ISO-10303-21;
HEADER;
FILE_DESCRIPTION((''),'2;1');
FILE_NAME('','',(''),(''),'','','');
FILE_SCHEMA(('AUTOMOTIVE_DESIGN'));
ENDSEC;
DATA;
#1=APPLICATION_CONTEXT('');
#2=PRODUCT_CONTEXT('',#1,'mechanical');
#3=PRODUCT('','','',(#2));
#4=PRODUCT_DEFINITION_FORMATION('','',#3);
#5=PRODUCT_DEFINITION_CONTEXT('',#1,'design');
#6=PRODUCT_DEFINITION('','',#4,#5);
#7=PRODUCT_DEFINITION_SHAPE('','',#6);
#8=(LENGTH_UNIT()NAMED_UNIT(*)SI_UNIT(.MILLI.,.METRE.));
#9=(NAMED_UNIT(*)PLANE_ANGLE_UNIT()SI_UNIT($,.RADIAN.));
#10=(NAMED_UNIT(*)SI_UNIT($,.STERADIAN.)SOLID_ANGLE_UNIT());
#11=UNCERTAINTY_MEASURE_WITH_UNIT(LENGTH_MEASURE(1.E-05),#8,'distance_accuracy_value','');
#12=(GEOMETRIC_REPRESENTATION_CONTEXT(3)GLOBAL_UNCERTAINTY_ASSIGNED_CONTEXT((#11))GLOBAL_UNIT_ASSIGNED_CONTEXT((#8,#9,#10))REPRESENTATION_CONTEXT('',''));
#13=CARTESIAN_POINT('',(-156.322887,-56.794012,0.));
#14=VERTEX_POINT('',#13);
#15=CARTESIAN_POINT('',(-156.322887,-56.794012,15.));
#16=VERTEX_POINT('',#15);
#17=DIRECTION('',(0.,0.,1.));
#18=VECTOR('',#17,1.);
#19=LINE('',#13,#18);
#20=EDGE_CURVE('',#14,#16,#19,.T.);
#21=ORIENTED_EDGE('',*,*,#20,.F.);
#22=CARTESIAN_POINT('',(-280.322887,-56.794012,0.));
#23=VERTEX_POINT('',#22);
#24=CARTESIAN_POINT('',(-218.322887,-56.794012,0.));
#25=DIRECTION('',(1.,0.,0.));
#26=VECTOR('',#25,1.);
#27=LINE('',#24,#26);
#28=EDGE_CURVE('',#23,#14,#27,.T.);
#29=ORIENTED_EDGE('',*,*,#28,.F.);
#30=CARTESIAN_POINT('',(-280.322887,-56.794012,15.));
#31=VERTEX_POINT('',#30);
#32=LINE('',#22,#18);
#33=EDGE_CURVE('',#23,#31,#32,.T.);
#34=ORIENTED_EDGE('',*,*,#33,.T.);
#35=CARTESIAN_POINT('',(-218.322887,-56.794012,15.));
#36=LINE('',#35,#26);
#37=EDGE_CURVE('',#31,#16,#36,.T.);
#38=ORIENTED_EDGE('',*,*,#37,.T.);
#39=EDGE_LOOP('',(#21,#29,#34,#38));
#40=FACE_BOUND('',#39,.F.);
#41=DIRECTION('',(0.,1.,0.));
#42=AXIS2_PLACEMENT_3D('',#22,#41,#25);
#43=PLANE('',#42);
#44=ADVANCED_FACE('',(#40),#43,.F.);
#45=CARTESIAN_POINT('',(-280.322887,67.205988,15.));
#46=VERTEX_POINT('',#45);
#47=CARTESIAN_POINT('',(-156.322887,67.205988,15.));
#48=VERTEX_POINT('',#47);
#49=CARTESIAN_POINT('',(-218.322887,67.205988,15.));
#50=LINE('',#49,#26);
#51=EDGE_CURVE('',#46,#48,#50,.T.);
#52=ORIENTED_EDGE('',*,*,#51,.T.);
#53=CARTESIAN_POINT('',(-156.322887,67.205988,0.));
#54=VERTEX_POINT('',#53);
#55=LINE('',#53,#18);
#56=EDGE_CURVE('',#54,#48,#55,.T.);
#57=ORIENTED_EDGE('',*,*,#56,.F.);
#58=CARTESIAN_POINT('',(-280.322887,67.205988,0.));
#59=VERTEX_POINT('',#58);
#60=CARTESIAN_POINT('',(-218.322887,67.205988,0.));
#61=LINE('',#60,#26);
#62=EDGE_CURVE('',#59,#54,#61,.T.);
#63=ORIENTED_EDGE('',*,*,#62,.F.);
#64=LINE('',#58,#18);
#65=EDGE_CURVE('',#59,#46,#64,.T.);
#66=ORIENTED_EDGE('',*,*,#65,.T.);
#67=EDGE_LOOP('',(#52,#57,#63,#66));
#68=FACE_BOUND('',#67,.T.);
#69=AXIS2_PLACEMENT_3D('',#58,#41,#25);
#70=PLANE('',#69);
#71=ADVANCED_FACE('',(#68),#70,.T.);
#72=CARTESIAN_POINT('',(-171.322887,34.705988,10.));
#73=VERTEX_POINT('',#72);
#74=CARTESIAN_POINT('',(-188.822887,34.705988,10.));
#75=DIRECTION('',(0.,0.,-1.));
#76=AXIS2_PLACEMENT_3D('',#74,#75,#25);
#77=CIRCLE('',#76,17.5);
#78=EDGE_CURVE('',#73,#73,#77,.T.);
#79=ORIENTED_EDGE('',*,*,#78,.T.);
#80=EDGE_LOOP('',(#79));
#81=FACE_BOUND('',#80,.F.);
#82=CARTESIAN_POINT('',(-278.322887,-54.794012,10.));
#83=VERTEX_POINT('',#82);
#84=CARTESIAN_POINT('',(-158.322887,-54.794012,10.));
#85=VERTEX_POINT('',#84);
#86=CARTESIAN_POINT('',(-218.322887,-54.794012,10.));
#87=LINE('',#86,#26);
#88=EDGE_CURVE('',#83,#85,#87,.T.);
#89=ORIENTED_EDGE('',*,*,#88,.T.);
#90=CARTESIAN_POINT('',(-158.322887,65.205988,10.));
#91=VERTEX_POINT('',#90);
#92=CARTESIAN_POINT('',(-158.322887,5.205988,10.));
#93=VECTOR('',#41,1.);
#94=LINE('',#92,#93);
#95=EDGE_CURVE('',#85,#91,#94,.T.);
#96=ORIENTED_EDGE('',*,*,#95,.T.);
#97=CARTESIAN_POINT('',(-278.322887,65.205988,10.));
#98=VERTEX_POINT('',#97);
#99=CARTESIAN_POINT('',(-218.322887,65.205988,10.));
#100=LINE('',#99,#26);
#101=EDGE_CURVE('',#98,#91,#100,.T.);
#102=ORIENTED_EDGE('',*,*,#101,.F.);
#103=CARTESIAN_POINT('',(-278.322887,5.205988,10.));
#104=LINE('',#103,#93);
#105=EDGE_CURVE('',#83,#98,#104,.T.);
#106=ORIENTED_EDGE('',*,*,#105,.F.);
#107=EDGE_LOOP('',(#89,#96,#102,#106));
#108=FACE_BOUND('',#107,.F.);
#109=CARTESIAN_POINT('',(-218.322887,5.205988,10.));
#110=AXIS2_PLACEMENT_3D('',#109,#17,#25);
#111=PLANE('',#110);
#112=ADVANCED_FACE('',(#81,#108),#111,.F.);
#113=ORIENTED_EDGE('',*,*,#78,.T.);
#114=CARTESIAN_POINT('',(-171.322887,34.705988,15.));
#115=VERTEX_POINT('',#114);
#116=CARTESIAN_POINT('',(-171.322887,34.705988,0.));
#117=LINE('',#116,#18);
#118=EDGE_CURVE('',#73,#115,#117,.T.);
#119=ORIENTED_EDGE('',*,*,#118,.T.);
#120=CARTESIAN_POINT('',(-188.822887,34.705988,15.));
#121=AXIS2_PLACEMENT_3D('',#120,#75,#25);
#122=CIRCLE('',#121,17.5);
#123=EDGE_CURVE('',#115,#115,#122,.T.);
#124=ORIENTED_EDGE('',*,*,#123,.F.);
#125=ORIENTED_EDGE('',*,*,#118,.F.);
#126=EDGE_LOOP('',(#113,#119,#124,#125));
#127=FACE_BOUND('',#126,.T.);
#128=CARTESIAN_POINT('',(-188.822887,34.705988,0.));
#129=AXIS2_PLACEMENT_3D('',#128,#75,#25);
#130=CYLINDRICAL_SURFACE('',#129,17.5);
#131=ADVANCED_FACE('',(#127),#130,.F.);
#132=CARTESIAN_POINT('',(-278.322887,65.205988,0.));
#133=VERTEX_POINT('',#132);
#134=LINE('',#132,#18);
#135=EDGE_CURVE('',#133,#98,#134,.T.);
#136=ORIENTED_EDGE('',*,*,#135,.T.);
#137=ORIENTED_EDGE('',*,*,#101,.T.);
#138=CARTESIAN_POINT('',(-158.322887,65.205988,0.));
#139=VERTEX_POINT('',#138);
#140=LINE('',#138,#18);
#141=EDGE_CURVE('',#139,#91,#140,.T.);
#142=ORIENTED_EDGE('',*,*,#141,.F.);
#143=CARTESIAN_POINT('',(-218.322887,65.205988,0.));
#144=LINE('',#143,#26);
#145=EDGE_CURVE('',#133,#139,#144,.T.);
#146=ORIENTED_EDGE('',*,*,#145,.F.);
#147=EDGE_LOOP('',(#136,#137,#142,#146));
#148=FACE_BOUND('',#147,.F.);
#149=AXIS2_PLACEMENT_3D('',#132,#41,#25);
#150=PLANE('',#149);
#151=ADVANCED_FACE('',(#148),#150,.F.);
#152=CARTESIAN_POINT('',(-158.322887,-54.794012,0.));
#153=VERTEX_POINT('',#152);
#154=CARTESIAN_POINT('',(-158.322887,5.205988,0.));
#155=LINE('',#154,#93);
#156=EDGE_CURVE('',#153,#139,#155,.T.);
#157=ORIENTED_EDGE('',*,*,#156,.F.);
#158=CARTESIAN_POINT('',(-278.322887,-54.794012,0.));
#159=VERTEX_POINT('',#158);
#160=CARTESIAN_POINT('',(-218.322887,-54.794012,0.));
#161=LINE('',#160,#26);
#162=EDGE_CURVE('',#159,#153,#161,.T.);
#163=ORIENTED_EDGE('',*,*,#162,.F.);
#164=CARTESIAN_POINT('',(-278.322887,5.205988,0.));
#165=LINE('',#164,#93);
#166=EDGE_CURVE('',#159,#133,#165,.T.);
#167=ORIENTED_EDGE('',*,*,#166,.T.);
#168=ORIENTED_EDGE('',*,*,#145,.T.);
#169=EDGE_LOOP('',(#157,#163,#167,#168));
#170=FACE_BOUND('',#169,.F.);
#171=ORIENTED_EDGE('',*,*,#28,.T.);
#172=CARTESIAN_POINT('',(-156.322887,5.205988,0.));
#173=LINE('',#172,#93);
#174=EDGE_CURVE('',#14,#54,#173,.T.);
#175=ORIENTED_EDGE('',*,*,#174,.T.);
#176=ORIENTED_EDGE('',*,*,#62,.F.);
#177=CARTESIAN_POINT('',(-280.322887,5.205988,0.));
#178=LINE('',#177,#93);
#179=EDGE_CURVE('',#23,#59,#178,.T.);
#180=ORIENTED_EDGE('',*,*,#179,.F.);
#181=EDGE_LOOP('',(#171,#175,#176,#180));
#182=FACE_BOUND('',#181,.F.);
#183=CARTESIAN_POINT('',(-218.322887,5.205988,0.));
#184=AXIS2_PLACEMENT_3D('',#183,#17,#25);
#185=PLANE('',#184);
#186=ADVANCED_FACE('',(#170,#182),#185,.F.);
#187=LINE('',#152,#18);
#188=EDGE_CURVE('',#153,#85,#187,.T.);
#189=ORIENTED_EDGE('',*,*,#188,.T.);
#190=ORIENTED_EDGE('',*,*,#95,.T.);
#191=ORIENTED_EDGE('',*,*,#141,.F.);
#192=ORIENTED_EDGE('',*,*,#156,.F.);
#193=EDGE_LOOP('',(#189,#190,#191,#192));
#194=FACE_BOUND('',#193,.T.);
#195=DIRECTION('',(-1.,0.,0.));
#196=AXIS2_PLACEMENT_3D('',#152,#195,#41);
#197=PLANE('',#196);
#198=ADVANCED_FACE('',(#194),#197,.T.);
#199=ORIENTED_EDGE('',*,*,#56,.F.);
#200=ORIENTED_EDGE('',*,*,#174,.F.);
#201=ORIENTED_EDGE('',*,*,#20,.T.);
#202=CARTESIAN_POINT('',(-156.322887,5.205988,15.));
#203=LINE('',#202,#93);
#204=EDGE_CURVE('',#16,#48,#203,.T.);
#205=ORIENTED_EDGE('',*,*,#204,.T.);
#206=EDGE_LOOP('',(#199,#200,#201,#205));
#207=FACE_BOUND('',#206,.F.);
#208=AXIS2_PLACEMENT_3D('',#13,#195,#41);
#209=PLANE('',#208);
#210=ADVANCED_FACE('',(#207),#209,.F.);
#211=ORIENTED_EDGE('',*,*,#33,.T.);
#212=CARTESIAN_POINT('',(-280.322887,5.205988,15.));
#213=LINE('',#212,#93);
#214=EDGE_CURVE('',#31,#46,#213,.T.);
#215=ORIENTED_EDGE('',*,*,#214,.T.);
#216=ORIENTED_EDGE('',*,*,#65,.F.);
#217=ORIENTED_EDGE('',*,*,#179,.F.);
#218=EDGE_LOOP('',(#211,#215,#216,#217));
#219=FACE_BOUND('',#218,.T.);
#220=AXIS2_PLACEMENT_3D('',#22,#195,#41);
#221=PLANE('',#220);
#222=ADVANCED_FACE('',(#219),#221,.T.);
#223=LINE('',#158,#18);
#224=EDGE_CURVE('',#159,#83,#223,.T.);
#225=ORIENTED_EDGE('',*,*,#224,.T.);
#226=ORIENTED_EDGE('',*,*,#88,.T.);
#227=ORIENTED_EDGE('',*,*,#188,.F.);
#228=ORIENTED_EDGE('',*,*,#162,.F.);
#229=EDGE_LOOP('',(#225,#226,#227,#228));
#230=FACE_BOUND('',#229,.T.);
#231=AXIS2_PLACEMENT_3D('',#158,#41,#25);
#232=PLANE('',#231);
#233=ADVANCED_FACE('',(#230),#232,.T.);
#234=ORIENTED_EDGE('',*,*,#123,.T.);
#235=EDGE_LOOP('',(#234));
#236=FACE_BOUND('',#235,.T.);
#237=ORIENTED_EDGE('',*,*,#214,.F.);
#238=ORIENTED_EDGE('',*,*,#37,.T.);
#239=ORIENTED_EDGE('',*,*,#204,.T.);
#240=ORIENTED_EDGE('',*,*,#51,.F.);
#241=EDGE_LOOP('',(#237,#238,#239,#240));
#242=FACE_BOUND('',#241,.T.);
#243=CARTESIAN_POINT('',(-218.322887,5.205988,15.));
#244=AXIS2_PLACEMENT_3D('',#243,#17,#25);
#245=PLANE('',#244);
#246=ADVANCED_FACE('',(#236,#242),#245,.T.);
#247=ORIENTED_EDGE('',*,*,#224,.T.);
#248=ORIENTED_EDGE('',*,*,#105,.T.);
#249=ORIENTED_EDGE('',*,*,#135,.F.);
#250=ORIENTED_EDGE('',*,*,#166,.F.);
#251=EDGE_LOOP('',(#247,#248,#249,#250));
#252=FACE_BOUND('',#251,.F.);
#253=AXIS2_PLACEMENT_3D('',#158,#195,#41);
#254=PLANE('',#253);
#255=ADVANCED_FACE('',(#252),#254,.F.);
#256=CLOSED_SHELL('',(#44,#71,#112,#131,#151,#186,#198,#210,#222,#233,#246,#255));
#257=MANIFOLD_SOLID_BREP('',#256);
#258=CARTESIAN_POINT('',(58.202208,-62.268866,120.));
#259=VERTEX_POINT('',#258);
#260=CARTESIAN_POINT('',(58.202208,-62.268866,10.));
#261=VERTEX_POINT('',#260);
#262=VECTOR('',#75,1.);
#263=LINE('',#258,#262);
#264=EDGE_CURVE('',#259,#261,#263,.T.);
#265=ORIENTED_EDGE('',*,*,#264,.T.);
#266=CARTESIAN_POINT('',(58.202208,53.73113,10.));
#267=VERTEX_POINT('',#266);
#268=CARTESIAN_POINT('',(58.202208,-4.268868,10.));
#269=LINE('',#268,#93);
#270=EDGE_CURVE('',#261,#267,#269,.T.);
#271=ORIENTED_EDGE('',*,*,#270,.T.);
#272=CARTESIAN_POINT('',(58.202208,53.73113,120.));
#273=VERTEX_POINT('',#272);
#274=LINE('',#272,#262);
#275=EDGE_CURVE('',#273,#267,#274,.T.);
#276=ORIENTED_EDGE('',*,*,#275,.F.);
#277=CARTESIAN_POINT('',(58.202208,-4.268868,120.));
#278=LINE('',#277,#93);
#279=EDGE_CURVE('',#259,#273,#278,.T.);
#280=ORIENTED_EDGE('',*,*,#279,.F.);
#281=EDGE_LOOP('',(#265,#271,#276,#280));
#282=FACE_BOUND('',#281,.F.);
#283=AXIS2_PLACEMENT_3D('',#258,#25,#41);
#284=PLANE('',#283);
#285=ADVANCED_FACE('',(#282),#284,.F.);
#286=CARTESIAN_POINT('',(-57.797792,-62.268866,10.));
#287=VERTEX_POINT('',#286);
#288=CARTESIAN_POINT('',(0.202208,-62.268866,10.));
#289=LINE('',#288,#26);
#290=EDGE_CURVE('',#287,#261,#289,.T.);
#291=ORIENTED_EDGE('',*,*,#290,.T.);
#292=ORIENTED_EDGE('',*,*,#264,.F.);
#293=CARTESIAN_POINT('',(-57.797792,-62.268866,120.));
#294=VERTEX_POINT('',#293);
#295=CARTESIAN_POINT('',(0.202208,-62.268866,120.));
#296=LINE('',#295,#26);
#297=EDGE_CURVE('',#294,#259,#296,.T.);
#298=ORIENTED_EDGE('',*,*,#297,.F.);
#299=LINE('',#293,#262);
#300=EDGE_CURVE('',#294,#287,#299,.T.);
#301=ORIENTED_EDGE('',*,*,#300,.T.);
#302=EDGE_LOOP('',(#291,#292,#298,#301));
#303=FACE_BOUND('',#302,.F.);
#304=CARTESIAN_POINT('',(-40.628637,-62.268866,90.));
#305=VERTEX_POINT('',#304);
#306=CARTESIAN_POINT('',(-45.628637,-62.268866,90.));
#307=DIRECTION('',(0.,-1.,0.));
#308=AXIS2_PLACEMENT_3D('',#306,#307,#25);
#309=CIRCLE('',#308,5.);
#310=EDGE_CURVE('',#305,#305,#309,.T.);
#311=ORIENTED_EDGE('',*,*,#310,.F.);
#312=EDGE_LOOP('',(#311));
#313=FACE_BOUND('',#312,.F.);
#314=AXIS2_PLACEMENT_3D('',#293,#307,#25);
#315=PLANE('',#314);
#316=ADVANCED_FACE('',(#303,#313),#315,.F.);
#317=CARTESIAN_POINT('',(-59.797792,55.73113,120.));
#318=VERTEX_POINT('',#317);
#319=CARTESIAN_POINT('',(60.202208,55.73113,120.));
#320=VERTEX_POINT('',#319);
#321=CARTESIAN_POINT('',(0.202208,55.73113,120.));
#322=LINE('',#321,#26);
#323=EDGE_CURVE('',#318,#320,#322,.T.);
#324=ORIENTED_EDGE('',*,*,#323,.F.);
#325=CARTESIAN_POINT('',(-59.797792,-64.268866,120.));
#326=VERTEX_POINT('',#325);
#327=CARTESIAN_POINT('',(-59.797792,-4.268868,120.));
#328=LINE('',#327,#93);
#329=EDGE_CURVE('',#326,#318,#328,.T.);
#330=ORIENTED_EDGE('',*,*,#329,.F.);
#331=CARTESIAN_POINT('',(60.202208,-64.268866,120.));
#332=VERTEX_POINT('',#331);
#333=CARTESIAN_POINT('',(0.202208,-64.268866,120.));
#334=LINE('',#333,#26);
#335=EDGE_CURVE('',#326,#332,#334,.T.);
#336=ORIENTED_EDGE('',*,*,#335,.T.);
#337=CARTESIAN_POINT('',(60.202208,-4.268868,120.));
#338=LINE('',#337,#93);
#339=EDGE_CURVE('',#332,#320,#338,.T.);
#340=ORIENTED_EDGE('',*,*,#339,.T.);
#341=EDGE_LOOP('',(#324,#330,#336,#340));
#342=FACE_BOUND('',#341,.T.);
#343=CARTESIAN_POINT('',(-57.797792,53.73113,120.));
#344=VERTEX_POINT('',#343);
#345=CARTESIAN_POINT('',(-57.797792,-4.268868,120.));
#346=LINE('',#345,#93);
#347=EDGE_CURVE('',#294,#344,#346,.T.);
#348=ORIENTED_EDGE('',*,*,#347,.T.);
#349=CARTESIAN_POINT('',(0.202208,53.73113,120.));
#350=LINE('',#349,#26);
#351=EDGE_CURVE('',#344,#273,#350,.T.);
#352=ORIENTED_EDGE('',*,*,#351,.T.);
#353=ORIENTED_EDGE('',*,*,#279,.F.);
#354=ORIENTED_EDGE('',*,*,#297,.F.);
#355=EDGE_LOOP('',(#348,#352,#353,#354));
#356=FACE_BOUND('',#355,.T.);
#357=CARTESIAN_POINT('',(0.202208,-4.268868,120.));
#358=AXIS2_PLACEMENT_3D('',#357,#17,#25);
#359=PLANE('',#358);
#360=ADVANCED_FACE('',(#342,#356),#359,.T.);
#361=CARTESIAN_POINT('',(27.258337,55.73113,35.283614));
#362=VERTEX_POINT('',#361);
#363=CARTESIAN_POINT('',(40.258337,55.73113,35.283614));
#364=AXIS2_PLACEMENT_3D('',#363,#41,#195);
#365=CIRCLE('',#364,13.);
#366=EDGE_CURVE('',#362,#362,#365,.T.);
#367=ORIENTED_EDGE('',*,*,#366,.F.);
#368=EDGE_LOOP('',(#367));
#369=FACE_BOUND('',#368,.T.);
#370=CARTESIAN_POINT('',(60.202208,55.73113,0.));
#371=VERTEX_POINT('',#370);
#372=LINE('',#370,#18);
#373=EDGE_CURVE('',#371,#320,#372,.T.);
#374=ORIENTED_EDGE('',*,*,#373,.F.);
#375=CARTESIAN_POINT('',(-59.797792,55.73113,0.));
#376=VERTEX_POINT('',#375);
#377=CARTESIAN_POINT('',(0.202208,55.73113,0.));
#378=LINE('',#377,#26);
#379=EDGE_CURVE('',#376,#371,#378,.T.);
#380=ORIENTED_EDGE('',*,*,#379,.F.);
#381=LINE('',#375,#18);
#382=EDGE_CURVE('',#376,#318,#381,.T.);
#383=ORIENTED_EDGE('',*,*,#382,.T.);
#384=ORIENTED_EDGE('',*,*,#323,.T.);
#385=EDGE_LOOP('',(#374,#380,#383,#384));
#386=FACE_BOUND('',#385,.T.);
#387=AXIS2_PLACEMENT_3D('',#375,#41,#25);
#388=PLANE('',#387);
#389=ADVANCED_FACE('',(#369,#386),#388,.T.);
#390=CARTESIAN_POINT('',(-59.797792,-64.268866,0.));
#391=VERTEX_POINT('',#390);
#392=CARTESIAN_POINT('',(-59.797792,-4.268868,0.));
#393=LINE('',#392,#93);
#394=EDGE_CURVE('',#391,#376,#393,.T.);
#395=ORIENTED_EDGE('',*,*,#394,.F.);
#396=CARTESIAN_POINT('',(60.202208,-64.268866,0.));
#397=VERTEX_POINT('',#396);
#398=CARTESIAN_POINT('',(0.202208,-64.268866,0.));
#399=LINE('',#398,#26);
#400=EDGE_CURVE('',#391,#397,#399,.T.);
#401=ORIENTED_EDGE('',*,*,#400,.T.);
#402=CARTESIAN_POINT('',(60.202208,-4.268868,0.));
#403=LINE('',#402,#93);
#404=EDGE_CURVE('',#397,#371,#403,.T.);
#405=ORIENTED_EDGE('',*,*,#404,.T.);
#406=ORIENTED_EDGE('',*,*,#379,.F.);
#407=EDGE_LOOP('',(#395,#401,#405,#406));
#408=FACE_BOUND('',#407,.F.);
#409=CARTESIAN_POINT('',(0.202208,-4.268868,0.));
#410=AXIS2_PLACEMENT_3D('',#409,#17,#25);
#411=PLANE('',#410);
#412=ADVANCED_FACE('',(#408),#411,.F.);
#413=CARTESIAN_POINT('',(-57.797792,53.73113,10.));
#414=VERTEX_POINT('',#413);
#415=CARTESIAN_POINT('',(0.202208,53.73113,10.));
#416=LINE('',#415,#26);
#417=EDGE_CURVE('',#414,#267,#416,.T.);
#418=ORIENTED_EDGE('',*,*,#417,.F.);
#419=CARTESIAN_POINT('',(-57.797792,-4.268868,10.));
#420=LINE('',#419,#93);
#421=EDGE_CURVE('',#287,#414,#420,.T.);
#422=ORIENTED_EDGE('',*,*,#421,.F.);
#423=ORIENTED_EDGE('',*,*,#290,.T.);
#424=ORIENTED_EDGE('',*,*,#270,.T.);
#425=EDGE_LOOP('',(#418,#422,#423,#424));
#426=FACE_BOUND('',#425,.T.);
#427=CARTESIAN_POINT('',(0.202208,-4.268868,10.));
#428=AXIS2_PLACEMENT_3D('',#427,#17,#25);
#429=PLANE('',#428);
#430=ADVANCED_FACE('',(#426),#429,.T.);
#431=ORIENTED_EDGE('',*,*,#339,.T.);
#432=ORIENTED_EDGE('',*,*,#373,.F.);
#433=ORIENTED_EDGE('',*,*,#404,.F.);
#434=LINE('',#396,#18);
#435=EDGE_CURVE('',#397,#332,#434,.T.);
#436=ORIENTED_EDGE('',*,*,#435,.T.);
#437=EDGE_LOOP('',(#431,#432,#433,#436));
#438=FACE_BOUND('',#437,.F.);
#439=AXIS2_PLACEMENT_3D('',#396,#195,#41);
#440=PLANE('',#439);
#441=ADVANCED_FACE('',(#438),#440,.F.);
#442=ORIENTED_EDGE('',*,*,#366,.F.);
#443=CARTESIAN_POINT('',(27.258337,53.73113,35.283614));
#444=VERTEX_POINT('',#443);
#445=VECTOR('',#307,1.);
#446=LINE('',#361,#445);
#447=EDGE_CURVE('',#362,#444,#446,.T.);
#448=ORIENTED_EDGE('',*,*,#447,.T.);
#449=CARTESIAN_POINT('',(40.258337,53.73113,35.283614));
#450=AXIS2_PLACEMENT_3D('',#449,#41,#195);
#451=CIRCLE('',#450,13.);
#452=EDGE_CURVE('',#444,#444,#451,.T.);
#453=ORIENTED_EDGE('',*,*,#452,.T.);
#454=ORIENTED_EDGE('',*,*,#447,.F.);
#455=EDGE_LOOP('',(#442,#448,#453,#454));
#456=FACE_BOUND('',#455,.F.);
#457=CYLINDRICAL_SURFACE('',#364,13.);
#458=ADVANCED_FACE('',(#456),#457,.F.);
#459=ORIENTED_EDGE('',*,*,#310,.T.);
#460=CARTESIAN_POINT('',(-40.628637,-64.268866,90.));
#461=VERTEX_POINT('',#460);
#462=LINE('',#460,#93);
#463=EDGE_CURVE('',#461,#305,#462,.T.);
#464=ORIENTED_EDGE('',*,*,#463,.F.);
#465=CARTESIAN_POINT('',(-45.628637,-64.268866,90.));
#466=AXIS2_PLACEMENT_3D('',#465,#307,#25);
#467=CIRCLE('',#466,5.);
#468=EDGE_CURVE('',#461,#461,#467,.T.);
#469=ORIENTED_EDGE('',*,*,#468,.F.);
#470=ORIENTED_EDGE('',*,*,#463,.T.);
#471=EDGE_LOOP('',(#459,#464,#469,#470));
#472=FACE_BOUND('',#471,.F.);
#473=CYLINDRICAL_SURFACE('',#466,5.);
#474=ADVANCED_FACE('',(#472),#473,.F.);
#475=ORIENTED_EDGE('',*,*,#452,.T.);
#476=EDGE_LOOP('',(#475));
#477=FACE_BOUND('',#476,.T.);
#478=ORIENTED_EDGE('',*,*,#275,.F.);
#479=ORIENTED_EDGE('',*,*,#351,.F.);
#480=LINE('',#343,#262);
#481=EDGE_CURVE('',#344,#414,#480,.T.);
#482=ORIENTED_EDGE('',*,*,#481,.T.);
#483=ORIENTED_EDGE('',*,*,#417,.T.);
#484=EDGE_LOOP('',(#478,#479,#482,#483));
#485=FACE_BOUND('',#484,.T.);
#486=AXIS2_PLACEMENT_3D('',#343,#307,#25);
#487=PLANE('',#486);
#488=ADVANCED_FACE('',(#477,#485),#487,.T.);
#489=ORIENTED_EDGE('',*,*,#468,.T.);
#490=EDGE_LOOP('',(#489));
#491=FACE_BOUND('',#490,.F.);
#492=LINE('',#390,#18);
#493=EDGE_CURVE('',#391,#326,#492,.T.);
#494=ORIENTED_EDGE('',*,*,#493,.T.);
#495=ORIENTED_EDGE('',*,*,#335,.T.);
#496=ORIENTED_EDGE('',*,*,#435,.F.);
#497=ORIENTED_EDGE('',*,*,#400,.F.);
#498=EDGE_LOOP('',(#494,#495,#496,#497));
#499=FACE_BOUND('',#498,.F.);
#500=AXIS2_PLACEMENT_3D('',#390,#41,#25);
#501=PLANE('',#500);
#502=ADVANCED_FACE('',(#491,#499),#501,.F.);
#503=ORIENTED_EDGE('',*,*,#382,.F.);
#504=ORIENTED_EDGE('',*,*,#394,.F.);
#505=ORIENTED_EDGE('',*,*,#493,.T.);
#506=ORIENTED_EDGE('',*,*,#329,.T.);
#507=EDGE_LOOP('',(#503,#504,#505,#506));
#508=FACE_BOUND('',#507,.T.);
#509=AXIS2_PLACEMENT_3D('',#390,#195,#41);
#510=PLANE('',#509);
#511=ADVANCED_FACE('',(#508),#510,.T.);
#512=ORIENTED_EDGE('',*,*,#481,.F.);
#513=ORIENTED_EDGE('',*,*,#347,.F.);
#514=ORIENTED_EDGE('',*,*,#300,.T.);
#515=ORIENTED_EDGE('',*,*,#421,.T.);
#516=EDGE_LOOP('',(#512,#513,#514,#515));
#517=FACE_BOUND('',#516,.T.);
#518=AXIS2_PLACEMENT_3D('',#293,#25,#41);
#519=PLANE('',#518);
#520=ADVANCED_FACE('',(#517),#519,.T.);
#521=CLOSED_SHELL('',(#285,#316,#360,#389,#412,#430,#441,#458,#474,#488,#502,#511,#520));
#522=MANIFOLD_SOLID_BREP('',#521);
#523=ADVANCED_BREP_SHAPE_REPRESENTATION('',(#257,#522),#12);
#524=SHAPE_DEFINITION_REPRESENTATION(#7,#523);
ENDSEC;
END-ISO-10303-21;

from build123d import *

# Parameters (mm, degrees)
F0_W      = 120
F0_H      = 119.999996
F1_DEPTH  = 120
F2_W      = 116
F2_H      = 115.999996
F3_DEPTH  = 110
F4_R      = 13
F5_DEPTH  = 25
F6_R      = 5
F7_DEPTH  = 25
F8_W      = 124
F8_H      = 124
F9_DEPTH  = 15
F10_W     = 120
F10_H     = 120
F11_DEPTH = 10
F12_R     = 17.5
F13_DEPTH = 20


with BuildPart() as f1:
    # F0 (on Top) → F1 (new body)
    with BuildSketch(Plane.XY):
        with Locations((0.202208, -4.268868)):
            Rectangle(F0_W, F0_H)
    extrude(amount=F1_DEPTH)

    # F2 (on face) → F3 (cut)
    with BuildSketch(Plane.XY.offset(120)):
        with Locations((0.202208, -4.268868)):
            Rectangle(F2_W, F2_H)
    extrude(amount=-F3_DEPTH, mode=Mode.SUBTRACT)

    # F4 (on face) → F5 (cut)
    with BuildSketch(Plane(origin=(0, 55.73113, 0), x_dir=(-1, 0, 0), z_dir=(0, 1, 0))):
        with Locations((-40.258337, 35.283614)):
            Circle(F4_R)
    extrude(amount=-F5_DEPTH, mode=Mode.SUBTRACT)

    # F6 (on face) → F7 (cut)
    with BuildSketch(Plane.XZ.offset(64.268866)):
        with Locations((-45.628637, 90)):
            Circle(F6_R)
    extrude(amount=-F7_DEPTH, mode=Mode.SUBTRACT)


with BuildPart() as f9:
    # F8 (on Top) → F9 (new body)
    with BuildSketch(Plane.XY):
        with Locations((-218.322887, 5.205988)):
            Rectangle(F8_W, F8_H)
    extrude(amount=F9_DEPTH)

    # F10 (on Top) → F11 (cut)
    with BuildSketch(Plane.XY):
        with Locations((-218.322887, 5.205988)):
            Rectangle(F10_W, F10_H)
    extrude(amount=F11_DEPTH, mode=Mode.SUBTRACT)

    # F12 (on Top) → F13 (cut)
    with BuildSketch(Plane.XY):
        with Locations((-188.822887, 34.705988)):
            Circle(F12_R)
    extrude(amount=F13_DEPTH, mode=Mode.SUBTRACT)


solid = Compound([f1.part, f9.part])
